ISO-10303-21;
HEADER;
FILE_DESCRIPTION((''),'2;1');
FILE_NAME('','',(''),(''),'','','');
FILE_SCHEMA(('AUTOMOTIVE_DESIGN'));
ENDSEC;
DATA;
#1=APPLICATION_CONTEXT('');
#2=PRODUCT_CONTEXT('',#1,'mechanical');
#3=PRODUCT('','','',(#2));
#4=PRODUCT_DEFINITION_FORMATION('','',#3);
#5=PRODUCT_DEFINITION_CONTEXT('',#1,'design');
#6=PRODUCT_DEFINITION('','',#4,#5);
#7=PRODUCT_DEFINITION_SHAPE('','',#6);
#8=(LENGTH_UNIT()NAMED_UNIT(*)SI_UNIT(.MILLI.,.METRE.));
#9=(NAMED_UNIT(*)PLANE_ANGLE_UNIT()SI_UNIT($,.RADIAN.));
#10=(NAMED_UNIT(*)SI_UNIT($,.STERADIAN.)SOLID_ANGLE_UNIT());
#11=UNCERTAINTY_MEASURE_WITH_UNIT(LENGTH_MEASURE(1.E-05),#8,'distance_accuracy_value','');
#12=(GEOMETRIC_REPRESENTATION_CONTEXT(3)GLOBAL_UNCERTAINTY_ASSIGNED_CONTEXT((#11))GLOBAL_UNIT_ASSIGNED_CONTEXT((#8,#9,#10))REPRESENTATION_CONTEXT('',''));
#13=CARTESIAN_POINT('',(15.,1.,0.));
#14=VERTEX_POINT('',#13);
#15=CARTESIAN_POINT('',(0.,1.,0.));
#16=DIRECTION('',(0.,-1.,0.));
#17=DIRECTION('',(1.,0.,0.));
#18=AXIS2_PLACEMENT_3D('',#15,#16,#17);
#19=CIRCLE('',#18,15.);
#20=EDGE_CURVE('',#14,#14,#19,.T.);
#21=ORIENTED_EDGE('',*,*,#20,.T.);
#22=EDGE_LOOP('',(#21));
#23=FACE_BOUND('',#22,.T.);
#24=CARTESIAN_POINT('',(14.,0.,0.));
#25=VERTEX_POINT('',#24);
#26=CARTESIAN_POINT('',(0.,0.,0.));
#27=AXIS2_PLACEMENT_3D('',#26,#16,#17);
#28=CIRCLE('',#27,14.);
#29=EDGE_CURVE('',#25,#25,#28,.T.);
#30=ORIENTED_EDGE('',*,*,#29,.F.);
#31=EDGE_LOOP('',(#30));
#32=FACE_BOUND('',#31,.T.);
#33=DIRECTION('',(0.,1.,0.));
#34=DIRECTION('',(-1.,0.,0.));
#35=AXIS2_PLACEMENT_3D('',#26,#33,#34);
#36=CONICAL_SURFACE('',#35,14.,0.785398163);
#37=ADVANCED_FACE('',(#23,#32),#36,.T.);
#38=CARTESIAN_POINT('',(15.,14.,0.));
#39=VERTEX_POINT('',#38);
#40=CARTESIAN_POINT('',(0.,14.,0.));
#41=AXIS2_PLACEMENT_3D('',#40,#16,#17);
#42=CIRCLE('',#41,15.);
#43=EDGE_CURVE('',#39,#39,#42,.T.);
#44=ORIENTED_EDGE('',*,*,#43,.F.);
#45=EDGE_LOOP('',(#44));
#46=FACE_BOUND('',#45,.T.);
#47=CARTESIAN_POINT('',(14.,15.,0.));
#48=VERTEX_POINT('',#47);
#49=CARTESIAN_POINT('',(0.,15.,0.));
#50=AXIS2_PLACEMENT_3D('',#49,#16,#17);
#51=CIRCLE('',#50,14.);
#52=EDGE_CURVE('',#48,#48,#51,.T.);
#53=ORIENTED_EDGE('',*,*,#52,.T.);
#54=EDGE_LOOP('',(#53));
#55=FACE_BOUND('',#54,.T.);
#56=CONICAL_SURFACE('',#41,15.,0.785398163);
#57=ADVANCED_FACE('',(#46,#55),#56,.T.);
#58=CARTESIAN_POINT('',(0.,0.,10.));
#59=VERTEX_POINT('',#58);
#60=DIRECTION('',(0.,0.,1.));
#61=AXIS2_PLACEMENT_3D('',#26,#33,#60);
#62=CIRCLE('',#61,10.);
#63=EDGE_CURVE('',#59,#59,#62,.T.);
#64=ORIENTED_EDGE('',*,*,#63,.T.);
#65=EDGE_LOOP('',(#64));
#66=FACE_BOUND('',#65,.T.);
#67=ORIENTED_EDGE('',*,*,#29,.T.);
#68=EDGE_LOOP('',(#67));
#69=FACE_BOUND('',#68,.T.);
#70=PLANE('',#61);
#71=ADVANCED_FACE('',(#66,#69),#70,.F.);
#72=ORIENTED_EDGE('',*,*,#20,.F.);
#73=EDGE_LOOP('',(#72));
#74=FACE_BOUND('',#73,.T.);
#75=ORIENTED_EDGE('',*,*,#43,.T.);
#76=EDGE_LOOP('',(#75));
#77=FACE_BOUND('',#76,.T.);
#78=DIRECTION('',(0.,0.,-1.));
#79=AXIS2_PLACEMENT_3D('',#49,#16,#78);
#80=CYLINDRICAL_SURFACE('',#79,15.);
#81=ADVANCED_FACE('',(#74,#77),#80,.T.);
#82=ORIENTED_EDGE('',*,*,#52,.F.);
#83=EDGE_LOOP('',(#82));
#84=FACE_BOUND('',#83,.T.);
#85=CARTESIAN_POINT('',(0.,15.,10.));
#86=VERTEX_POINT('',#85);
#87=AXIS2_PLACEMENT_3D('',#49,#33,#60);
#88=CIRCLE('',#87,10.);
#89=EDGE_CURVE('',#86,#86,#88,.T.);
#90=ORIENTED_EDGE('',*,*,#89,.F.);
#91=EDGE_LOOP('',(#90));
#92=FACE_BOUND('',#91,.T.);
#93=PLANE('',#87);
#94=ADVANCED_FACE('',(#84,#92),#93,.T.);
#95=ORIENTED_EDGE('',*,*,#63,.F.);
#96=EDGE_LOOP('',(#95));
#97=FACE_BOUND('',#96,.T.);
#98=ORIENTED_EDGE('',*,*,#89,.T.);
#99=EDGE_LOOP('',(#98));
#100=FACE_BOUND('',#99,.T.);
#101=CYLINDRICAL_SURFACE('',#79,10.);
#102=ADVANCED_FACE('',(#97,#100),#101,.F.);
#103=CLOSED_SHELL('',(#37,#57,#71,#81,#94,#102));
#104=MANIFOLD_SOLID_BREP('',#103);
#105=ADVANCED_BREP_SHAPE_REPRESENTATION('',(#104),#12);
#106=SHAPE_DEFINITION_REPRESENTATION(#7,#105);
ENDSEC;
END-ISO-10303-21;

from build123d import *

# Parameters (mm, degrees)
SKETCH_1_R      = 15
SKETCH_1_R_2    = 10
EXTRUDE_1_DEPTH = 15


with BuildPart() as part:
    # 草图1 → 凸台-拉伸1 (new body)
    with BuildSketch(Plane(origin=(0, 0, 0), x_dir=(1, 0, 0), z_dir=(0, 1, 0))):
        with Locations(Location((0, 0, 0), (0, 0, 270))):
            Circle(SKETCH_1_R)
        with Locations(Location((0, 0, 0), (0, 0, 270))):
            Circle(SKETCH_1_R_2, mode=Mode.SUBTRACT)
    extrude(amount=EXTRUDE_1_DEPTH)

    # 草图2 → 切除-旋转1 (revolve, cut)
    with BuildSketch(Plane.XY, mode=Mode.PRIVATE) as cut_revolve_1_sk:
        Polygon((-15, 15), (-14, 15), (-15, 14), align=None)
        Polygon((-15, 0), (-14, 0), (-15, 1), align=None)
    revolve(cut_revolve_1_sk.sketch.rotate(Axis((0, -1000, 0), (0, 1, 0)), 180), axis=Axis((0, -1000, 0), (0, 1, 0)), mode=Mode.SUBTRACT)


solid = part.part
